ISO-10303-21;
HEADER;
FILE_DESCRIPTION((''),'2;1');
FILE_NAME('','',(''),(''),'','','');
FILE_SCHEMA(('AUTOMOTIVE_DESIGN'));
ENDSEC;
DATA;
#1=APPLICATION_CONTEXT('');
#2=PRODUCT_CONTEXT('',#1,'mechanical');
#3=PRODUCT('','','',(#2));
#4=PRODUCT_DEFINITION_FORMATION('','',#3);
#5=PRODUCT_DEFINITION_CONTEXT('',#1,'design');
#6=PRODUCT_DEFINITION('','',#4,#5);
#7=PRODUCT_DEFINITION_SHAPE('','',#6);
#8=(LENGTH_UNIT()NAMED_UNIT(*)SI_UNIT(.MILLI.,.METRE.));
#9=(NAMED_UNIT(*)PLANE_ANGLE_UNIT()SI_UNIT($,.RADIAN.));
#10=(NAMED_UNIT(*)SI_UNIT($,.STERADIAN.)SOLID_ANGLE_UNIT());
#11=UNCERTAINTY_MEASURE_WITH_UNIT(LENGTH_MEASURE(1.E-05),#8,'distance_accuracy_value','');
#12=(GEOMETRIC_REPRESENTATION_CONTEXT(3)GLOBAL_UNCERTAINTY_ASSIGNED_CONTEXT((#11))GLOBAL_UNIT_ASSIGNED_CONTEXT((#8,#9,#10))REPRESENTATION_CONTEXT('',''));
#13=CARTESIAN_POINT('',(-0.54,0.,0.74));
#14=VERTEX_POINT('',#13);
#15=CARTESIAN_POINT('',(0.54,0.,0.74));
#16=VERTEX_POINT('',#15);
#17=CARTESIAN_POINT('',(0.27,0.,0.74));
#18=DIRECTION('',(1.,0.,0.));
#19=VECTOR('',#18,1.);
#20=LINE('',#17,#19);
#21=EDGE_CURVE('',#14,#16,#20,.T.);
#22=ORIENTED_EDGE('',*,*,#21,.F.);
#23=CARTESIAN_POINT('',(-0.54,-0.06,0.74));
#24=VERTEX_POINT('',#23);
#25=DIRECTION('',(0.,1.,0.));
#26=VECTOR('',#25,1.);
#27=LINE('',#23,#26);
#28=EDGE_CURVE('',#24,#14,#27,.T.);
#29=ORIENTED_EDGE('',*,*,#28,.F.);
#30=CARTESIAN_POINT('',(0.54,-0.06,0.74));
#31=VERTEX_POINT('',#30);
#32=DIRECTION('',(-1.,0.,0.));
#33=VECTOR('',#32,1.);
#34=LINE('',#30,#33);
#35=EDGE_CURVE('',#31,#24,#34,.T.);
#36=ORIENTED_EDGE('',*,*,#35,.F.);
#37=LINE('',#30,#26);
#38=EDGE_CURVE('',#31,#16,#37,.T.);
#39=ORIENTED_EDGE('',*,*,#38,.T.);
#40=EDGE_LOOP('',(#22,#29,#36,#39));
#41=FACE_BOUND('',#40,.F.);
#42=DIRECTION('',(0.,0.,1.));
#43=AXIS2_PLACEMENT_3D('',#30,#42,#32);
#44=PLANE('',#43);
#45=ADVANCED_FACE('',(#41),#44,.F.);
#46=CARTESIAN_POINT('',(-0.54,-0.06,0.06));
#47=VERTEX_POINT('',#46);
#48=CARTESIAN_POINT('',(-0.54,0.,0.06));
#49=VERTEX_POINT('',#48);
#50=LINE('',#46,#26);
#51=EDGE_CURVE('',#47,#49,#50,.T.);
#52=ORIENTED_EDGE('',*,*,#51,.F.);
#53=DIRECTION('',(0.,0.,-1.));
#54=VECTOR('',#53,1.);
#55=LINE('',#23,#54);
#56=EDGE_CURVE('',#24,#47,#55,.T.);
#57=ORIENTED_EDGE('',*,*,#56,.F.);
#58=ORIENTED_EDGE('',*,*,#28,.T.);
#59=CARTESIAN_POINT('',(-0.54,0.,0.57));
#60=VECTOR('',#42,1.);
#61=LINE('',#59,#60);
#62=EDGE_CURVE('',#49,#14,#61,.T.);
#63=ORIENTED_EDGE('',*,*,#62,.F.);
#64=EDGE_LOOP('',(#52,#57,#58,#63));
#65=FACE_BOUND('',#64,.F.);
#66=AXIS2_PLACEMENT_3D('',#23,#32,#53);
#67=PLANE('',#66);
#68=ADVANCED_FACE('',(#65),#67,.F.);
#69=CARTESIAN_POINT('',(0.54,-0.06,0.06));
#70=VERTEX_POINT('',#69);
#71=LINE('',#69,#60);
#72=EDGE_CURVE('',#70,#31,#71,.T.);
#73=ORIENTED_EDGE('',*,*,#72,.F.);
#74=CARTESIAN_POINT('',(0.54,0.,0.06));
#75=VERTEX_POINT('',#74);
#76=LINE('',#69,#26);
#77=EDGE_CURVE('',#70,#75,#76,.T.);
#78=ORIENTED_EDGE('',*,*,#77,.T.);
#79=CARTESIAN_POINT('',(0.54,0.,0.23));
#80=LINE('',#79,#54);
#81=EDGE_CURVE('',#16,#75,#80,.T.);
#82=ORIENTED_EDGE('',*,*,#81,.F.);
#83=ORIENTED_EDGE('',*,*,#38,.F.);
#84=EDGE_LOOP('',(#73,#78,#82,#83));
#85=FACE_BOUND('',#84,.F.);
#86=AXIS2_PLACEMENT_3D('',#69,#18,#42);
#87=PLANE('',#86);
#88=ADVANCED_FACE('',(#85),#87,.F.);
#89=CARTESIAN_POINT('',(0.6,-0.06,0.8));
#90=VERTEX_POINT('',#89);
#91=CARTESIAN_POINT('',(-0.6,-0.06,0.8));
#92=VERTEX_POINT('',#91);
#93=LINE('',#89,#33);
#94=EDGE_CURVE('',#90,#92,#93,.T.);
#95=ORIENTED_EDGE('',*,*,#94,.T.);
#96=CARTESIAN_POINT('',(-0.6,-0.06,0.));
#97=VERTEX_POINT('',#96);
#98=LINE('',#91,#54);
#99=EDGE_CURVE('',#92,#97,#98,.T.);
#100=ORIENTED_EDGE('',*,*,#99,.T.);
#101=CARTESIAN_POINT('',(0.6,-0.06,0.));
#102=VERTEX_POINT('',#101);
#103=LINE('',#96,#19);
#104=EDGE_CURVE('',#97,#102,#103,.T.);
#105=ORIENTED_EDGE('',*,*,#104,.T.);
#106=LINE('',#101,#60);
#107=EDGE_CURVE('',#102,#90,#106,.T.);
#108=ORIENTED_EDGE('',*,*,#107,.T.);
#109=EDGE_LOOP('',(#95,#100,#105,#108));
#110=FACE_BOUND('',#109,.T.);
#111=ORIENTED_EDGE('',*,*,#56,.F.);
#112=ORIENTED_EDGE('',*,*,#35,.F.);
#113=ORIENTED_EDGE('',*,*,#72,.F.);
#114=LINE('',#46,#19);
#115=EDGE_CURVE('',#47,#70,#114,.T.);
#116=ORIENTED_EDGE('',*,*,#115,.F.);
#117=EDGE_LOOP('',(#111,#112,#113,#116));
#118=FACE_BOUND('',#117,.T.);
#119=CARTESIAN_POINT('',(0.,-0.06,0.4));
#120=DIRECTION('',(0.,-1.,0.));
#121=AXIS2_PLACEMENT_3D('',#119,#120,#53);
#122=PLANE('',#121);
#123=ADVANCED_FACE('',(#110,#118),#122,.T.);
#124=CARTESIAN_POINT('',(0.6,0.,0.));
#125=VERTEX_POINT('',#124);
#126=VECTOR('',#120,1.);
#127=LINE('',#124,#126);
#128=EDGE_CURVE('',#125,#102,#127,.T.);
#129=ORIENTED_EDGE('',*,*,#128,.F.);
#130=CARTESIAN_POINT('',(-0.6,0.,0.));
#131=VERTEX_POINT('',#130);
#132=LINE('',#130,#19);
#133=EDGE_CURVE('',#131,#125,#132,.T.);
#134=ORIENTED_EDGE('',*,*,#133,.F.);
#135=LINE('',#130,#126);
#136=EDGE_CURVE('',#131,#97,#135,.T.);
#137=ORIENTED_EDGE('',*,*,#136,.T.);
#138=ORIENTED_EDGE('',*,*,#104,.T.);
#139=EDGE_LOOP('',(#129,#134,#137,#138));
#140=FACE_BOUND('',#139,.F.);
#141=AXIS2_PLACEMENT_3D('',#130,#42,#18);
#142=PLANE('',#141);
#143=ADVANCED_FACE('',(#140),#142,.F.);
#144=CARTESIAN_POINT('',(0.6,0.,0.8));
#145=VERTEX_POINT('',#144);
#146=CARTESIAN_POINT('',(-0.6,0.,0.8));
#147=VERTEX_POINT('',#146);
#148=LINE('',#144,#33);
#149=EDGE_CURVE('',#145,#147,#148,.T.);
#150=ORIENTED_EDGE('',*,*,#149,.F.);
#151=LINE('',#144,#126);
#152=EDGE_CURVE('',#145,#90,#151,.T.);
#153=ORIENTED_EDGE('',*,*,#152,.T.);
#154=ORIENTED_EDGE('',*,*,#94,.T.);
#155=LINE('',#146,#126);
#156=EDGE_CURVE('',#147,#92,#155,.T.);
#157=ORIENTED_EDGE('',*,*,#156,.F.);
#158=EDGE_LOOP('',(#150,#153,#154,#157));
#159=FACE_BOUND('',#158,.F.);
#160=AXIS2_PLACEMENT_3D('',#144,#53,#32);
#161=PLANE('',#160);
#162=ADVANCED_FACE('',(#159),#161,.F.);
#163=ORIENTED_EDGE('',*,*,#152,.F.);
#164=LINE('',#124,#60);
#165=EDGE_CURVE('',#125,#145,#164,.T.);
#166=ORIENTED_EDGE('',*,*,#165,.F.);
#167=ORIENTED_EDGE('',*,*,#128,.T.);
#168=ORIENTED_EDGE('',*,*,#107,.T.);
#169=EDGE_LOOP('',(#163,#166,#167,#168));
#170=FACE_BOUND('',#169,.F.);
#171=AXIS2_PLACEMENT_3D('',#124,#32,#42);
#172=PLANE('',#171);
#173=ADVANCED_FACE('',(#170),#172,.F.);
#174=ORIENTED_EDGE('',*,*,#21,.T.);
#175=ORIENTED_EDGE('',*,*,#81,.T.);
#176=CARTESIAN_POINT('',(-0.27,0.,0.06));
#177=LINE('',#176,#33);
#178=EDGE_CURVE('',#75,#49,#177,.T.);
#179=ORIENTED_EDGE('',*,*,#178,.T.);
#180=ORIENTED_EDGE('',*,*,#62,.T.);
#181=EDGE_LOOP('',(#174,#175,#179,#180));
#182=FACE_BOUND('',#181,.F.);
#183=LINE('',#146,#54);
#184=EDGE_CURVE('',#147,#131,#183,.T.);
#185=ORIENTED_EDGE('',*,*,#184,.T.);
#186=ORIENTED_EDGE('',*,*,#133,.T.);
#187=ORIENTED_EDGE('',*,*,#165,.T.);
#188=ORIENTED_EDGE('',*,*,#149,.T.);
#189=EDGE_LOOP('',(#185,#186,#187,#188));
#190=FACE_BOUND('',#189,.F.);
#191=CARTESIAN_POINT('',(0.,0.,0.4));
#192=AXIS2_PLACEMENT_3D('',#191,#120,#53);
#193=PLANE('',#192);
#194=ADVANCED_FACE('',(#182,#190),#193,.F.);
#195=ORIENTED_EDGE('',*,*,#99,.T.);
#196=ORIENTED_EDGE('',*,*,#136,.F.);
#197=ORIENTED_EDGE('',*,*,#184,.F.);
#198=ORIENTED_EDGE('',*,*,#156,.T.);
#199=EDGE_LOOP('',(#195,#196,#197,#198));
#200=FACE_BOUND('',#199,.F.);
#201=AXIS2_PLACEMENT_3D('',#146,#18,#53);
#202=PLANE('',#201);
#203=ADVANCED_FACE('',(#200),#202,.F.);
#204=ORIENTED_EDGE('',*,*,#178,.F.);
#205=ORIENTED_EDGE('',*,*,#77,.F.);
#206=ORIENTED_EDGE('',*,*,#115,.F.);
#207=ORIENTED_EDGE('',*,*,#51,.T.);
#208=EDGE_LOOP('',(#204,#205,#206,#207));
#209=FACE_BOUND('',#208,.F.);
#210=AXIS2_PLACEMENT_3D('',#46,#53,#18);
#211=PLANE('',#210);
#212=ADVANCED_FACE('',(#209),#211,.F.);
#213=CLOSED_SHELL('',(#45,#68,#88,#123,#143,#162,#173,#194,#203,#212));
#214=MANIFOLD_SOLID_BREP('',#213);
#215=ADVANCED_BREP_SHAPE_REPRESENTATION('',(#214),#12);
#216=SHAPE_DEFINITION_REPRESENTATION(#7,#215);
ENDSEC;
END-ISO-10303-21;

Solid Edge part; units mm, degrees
sketch "Sketch1" plane through (0, 0, 0) normal (0, -1, 0) x (1, 0, 0)
  line L0 (-0.6, 0) -> (0.6, 0)
  line L1 (0.6, 0) -> (0.6, 0.8)
  line L2 (0.6, 0.8) -> (-0.6, 0.8)
  line L3 (-0.6, 0.8) -> (-0.6, 0)
  dimension "D1" = 0.8
  dimension "D2" = 1.2
extrude "Protrusion1" add sketch "Sketch1" along normal blind 0.06
sketch "Sketch2" plane through (0, -0.06, 0.75) normal (0, -1, 0) x (1, 0, 0)
  line L0 (-0.54, -0.69) -> (0.54, -0.69)
  line L1 (0.54, -0.69) -> (0.54, -0.01)
  line L2 (0.54, -0.01) -> (-0.54, -0.01)
  line L3 (-0.54, -0.01) -> (-0.54, -0.69)
  dimension "D1" = 0.06
extrude "Cutout1" cut sketch "Sketch2" against normal up to next
